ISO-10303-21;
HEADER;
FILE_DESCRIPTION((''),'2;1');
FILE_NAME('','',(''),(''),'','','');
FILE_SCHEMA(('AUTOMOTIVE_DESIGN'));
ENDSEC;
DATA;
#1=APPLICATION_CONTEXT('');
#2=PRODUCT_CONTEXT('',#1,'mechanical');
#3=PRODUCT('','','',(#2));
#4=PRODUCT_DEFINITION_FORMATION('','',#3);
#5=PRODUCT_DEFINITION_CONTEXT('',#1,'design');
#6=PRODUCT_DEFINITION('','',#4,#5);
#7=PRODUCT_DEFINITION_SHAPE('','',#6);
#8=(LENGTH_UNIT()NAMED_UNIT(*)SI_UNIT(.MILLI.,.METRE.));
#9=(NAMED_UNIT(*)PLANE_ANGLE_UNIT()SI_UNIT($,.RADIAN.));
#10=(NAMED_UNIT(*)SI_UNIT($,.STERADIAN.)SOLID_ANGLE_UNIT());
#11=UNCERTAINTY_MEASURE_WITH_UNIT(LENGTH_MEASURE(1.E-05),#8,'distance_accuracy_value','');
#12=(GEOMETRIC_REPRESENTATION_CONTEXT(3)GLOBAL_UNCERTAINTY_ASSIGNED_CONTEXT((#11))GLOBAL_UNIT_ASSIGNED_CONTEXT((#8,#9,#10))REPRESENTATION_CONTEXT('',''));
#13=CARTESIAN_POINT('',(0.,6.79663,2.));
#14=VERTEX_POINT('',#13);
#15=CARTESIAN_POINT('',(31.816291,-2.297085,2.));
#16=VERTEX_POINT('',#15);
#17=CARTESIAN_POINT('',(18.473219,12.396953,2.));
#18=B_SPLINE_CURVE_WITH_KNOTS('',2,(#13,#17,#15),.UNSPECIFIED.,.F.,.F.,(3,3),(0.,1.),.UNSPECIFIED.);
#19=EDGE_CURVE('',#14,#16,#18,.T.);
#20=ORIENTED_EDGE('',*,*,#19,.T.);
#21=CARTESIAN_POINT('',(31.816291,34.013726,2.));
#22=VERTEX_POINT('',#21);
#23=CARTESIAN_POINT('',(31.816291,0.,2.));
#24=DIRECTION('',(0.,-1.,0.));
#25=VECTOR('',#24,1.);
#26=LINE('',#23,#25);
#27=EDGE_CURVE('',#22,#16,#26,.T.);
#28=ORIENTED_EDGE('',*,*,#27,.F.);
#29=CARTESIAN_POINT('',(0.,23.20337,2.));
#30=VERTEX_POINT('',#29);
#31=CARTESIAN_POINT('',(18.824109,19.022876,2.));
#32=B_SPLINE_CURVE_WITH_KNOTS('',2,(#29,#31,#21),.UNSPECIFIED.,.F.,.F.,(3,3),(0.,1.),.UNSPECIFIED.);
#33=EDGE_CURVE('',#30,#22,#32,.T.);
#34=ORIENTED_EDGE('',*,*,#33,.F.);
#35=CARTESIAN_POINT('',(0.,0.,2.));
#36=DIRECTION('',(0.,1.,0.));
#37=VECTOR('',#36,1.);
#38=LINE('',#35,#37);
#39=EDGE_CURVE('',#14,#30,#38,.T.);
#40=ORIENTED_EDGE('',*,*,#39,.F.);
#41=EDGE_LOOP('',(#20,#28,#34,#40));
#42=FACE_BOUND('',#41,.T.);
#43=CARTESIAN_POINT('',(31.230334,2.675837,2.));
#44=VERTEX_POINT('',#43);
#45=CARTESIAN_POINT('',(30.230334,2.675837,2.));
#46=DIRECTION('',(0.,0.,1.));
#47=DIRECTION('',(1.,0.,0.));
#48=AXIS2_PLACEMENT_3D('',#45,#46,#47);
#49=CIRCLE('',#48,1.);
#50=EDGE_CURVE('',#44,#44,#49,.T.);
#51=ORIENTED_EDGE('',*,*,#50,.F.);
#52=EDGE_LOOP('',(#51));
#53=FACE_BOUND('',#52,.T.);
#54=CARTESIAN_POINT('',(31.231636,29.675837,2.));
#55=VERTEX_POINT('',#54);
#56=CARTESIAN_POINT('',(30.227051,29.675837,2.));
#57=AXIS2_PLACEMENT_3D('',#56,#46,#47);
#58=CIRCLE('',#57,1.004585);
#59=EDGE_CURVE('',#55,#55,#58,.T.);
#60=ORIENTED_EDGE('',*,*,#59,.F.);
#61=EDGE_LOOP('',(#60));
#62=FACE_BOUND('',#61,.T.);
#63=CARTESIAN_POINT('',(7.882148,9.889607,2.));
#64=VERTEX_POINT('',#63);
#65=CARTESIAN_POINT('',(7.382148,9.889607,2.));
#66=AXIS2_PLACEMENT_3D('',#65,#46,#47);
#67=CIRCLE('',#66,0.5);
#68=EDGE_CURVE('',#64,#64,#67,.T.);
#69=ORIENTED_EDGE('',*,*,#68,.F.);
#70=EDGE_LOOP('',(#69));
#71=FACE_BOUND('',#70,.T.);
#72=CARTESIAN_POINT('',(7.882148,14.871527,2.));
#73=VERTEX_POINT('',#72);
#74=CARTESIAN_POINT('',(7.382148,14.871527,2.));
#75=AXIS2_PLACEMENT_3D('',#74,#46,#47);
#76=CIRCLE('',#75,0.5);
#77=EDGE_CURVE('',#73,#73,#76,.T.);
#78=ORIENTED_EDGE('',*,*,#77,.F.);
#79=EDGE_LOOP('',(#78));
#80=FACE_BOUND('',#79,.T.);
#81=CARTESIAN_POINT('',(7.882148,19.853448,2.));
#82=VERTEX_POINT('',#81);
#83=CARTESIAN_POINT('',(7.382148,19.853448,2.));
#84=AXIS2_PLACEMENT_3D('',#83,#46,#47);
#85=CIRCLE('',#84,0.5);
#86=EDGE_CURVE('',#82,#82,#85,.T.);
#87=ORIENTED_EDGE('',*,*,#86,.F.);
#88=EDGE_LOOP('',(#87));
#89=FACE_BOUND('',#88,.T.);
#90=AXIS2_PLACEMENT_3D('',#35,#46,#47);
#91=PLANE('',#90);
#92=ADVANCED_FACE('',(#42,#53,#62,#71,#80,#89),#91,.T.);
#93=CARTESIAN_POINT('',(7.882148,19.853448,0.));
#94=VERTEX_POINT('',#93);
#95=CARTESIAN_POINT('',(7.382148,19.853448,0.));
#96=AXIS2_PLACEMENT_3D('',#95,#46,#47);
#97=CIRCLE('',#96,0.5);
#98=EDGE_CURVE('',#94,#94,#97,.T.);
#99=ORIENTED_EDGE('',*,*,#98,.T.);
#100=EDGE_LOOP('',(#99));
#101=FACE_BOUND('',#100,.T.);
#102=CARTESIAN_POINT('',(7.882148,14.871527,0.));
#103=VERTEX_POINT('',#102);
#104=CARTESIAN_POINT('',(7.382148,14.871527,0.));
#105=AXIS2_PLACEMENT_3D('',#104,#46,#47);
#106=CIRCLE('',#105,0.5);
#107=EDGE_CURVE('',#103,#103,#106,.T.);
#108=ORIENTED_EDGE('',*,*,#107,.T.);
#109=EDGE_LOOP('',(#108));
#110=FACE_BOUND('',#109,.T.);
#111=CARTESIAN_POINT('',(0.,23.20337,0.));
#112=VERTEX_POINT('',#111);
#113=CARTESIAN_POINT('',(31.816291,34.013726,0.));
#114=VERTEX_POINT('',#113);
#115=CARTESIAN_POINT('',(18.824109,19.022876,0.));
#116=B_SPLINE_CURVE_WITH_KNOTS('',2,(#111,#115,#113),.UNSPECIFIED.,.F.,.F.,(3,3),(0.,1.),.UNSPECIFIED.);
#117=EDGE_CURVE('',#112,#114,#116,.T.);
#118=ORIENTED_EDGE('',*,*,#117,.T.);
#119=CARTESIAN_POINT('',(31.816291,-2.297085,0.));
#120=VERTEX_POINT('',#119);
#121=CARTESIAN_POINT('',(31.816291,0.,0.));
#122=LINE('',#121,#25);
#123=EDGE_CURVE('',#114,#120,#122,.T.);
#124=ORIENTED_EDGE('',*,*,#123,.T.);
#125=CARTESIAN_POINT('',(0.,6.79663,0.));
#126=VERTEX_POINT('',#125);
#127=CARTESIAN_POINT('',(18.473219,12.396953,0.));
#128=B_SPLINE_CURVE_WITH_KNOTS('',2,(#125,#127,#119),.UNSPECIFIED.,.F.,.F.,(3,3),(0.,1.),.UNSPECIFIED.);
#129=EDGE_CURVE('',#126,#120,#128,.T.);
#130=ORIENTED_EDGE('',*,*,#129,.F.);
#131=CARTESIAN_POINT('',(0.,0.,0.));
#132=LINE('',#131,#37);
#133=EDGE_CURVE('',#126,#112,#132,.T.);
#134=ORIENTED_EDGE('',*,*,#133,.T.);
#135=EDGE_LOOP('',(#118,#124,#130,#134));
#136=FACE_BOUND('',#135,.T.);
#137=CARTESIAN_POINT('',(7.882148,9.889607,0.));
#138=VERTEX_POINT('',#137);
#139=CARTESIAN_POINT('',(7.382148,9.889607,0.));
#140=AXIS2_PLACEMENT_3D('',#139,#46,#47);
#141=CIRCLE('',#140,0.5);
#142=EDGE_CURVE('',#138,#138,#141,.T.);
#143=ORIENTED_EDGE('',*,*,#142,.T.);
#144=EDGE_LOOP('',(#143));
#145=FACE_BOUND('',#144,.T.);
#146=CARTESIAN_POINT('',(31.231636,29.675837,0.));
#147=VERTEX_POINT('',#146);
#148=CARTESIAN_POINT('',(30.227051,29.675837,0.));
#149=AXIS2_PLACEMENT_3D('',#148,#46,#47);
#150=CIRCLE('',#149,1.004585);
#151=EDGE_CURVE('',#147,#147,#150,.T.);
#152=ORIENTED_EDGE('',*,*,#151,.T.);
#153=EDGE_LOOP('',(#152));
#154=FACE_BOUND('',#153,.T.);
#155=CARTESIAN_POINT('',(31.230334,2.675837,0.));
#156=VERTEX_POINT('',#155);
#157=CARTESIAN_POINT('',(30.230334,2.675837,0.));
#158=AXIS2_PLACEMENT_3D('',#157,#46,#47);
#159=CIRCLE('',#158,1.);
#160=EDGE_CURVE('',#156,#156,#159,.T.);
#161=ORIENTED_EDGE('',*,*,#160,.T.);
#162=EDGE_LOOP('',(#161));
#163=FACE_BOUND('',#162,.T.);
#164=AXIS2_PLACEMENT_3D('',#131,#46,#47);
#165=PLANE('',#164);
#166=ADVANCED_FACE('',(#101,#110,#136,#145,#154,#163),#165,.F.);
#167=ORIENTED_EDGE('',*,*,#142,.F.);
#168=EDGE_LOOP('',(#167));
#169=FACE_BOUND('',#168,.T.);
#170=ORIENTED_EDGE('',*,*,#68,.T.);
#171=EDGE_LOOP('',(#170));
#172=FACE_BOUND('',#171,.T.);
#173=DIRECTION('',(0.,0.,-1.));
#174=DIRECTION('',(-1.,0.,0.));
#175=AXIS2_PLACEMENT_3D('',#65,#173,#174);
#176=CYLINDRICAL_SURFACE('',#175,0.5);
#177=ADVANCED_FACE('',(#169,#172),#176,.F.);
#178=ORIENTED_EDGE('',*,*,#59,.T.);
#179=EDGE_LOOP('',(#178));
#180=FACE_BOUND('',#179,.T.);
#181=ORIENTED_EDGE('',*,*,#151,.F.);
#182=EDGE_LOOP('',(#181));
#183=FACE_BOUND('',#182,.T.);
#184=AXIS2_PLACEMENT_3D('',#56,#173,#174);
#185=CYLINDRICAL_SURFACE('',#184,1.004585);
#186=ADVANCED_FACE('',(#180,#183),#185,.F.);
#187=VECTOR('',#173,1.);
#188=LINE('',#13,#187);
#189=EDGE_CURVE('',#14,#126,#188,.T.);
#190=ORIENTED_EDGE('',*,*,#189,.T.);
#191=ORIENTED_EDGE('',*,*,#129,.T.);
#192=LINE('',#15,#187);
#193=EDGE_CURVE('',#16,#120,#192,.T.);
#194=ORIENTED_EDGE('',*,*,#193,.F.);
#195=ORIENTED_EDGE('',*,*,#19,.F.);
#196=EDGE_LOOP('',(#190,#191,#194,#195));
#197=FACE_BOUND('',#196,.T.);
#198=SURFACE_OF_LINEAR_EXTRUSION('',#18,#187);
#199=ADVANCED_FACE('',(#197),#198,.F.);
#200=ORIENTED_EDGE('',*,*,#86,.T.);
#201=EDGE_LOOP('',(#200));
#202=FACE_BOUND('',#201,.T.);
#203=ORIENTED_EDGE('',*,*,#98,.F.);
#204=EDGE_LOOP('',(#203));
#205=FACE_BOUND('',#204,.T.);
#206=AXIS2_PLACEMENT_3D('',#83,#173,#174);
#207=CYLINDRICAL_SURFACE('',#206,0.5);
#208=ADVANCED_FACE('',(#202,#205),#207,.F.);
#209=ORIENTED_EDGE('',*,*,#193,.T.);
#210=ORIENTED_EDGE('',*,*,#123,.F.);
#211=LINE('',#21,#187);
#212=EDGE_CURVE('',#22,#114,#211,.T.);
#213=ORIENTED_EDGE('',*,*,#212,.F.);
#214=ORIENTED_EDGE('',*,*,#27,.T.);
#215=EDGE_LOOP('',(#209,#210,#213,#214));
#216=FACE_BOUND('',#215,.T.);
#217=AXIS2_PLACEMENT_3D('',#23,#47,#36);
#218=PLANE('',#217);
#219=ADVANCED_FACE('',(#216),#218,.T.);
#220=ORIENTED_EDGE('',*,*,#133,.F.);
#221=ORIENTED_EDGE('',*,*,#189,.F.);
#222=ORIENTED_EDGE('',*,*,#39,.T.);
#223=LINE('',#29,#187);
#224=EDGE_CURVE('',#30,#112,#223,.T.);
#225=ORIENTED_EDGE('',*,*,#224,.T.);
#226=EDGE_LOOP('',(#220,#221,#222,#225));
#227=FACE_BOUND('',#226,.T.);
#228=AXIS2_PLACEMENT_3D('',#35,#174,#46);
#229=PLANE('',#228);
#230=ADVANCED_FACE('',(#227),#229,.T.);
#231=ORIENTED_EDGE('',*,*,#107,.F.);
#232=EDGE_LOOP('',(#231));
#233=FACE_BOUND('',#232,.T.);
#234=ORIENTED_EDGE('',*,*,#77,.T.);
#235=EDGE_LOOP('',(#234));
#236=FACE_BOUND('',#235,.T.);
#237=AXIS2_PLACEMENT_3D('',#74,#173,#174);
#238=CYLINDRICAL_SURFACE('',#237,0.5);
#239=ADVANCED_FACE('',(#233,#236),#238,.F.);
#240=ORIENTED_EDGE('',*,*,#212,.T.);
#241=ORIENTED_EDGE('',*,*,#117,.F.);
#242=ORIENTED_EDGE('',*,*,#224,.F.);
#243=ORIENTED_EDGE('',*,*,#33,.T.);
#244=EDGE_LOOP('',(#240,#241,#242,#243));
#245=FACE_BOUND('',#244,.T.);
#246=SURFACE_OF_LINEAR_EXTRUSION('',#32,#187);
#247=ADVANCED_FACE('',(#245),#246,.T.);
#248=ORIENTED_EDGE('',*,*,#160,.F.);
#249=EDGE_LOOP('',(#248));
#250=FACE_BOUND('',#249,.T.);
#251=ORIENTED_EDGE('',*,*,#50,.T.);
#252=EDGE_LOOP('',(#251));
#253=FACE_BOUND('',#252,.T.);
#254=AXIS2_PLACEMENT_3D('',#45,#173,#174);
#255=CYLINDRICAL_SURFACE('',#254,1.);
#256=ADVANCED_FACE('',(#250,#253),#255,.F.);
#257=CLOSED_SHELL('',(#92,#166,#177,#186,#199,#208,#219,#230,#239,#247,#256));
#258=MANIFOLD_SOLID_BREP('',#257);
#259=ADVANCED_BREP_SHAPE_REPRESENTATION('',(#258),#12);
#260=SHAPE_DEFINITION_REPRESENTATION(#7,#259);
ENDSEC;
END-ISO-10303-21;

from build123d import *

# Parameters (mm, degrees)
SKETCH1_R           = 0.5
SKETCH1_R_2         = 1.004584714
SKETCH1_R_3         = 1
BOSS_EXTRUDE4_DEPTH = 2


with BuildPart() as part:
    # Sketch1 → Boss-Extrude4 (new body)
    with BuildSketch(Plane.XY):
        with BuildLine():
            Line((0, 6.796629536), (0, 23.203370382))
            add(Edge.make_bspline(
                [(0, 23.203370382), (18.824108825, 19.022876047), (31.816291347, 34.013726018)],
                knots=[0, 0, 0, 1, 1, 1], degree=2))
            Line((31.816291347, 34.013726018), (31.816291347, -2.297085155))
            add(Edge.make_bspline(
                [(0, 6.796629536), (18.47321861, 12.396952678), (31.816291347, -2.297085155)],
                knots=[0, 0, 0, 1, 1, 1], degree=2))
        make_face()
        with Locations((7.382147853, 19.853448191)):
            Circle(SKETCH1_R, mode=Mode.SUBTRACT)
        with Locations((7.382147853, 9.889606803)):
            Circle(SKETCH1_R, mode=Mode.SUBTRACT)
        with Locations((7.382147853, 14.871527497)):
            Circle(SKETCH1_R, mode=Mode.SUBTRACT)
        with Locations((30.227051082, 29.675836966)):
            Circle(SKETCH1_R_2, mode=Mode.SUBTRACT)
        with Locations((30.230334009, 2.675837166)):
            Circle(SKETCH1_R_3, mode=Mode.SUBTRACT)
    extrude(amount=BOSS_EXTRUDE4_DEPTH)


solid = part.part
